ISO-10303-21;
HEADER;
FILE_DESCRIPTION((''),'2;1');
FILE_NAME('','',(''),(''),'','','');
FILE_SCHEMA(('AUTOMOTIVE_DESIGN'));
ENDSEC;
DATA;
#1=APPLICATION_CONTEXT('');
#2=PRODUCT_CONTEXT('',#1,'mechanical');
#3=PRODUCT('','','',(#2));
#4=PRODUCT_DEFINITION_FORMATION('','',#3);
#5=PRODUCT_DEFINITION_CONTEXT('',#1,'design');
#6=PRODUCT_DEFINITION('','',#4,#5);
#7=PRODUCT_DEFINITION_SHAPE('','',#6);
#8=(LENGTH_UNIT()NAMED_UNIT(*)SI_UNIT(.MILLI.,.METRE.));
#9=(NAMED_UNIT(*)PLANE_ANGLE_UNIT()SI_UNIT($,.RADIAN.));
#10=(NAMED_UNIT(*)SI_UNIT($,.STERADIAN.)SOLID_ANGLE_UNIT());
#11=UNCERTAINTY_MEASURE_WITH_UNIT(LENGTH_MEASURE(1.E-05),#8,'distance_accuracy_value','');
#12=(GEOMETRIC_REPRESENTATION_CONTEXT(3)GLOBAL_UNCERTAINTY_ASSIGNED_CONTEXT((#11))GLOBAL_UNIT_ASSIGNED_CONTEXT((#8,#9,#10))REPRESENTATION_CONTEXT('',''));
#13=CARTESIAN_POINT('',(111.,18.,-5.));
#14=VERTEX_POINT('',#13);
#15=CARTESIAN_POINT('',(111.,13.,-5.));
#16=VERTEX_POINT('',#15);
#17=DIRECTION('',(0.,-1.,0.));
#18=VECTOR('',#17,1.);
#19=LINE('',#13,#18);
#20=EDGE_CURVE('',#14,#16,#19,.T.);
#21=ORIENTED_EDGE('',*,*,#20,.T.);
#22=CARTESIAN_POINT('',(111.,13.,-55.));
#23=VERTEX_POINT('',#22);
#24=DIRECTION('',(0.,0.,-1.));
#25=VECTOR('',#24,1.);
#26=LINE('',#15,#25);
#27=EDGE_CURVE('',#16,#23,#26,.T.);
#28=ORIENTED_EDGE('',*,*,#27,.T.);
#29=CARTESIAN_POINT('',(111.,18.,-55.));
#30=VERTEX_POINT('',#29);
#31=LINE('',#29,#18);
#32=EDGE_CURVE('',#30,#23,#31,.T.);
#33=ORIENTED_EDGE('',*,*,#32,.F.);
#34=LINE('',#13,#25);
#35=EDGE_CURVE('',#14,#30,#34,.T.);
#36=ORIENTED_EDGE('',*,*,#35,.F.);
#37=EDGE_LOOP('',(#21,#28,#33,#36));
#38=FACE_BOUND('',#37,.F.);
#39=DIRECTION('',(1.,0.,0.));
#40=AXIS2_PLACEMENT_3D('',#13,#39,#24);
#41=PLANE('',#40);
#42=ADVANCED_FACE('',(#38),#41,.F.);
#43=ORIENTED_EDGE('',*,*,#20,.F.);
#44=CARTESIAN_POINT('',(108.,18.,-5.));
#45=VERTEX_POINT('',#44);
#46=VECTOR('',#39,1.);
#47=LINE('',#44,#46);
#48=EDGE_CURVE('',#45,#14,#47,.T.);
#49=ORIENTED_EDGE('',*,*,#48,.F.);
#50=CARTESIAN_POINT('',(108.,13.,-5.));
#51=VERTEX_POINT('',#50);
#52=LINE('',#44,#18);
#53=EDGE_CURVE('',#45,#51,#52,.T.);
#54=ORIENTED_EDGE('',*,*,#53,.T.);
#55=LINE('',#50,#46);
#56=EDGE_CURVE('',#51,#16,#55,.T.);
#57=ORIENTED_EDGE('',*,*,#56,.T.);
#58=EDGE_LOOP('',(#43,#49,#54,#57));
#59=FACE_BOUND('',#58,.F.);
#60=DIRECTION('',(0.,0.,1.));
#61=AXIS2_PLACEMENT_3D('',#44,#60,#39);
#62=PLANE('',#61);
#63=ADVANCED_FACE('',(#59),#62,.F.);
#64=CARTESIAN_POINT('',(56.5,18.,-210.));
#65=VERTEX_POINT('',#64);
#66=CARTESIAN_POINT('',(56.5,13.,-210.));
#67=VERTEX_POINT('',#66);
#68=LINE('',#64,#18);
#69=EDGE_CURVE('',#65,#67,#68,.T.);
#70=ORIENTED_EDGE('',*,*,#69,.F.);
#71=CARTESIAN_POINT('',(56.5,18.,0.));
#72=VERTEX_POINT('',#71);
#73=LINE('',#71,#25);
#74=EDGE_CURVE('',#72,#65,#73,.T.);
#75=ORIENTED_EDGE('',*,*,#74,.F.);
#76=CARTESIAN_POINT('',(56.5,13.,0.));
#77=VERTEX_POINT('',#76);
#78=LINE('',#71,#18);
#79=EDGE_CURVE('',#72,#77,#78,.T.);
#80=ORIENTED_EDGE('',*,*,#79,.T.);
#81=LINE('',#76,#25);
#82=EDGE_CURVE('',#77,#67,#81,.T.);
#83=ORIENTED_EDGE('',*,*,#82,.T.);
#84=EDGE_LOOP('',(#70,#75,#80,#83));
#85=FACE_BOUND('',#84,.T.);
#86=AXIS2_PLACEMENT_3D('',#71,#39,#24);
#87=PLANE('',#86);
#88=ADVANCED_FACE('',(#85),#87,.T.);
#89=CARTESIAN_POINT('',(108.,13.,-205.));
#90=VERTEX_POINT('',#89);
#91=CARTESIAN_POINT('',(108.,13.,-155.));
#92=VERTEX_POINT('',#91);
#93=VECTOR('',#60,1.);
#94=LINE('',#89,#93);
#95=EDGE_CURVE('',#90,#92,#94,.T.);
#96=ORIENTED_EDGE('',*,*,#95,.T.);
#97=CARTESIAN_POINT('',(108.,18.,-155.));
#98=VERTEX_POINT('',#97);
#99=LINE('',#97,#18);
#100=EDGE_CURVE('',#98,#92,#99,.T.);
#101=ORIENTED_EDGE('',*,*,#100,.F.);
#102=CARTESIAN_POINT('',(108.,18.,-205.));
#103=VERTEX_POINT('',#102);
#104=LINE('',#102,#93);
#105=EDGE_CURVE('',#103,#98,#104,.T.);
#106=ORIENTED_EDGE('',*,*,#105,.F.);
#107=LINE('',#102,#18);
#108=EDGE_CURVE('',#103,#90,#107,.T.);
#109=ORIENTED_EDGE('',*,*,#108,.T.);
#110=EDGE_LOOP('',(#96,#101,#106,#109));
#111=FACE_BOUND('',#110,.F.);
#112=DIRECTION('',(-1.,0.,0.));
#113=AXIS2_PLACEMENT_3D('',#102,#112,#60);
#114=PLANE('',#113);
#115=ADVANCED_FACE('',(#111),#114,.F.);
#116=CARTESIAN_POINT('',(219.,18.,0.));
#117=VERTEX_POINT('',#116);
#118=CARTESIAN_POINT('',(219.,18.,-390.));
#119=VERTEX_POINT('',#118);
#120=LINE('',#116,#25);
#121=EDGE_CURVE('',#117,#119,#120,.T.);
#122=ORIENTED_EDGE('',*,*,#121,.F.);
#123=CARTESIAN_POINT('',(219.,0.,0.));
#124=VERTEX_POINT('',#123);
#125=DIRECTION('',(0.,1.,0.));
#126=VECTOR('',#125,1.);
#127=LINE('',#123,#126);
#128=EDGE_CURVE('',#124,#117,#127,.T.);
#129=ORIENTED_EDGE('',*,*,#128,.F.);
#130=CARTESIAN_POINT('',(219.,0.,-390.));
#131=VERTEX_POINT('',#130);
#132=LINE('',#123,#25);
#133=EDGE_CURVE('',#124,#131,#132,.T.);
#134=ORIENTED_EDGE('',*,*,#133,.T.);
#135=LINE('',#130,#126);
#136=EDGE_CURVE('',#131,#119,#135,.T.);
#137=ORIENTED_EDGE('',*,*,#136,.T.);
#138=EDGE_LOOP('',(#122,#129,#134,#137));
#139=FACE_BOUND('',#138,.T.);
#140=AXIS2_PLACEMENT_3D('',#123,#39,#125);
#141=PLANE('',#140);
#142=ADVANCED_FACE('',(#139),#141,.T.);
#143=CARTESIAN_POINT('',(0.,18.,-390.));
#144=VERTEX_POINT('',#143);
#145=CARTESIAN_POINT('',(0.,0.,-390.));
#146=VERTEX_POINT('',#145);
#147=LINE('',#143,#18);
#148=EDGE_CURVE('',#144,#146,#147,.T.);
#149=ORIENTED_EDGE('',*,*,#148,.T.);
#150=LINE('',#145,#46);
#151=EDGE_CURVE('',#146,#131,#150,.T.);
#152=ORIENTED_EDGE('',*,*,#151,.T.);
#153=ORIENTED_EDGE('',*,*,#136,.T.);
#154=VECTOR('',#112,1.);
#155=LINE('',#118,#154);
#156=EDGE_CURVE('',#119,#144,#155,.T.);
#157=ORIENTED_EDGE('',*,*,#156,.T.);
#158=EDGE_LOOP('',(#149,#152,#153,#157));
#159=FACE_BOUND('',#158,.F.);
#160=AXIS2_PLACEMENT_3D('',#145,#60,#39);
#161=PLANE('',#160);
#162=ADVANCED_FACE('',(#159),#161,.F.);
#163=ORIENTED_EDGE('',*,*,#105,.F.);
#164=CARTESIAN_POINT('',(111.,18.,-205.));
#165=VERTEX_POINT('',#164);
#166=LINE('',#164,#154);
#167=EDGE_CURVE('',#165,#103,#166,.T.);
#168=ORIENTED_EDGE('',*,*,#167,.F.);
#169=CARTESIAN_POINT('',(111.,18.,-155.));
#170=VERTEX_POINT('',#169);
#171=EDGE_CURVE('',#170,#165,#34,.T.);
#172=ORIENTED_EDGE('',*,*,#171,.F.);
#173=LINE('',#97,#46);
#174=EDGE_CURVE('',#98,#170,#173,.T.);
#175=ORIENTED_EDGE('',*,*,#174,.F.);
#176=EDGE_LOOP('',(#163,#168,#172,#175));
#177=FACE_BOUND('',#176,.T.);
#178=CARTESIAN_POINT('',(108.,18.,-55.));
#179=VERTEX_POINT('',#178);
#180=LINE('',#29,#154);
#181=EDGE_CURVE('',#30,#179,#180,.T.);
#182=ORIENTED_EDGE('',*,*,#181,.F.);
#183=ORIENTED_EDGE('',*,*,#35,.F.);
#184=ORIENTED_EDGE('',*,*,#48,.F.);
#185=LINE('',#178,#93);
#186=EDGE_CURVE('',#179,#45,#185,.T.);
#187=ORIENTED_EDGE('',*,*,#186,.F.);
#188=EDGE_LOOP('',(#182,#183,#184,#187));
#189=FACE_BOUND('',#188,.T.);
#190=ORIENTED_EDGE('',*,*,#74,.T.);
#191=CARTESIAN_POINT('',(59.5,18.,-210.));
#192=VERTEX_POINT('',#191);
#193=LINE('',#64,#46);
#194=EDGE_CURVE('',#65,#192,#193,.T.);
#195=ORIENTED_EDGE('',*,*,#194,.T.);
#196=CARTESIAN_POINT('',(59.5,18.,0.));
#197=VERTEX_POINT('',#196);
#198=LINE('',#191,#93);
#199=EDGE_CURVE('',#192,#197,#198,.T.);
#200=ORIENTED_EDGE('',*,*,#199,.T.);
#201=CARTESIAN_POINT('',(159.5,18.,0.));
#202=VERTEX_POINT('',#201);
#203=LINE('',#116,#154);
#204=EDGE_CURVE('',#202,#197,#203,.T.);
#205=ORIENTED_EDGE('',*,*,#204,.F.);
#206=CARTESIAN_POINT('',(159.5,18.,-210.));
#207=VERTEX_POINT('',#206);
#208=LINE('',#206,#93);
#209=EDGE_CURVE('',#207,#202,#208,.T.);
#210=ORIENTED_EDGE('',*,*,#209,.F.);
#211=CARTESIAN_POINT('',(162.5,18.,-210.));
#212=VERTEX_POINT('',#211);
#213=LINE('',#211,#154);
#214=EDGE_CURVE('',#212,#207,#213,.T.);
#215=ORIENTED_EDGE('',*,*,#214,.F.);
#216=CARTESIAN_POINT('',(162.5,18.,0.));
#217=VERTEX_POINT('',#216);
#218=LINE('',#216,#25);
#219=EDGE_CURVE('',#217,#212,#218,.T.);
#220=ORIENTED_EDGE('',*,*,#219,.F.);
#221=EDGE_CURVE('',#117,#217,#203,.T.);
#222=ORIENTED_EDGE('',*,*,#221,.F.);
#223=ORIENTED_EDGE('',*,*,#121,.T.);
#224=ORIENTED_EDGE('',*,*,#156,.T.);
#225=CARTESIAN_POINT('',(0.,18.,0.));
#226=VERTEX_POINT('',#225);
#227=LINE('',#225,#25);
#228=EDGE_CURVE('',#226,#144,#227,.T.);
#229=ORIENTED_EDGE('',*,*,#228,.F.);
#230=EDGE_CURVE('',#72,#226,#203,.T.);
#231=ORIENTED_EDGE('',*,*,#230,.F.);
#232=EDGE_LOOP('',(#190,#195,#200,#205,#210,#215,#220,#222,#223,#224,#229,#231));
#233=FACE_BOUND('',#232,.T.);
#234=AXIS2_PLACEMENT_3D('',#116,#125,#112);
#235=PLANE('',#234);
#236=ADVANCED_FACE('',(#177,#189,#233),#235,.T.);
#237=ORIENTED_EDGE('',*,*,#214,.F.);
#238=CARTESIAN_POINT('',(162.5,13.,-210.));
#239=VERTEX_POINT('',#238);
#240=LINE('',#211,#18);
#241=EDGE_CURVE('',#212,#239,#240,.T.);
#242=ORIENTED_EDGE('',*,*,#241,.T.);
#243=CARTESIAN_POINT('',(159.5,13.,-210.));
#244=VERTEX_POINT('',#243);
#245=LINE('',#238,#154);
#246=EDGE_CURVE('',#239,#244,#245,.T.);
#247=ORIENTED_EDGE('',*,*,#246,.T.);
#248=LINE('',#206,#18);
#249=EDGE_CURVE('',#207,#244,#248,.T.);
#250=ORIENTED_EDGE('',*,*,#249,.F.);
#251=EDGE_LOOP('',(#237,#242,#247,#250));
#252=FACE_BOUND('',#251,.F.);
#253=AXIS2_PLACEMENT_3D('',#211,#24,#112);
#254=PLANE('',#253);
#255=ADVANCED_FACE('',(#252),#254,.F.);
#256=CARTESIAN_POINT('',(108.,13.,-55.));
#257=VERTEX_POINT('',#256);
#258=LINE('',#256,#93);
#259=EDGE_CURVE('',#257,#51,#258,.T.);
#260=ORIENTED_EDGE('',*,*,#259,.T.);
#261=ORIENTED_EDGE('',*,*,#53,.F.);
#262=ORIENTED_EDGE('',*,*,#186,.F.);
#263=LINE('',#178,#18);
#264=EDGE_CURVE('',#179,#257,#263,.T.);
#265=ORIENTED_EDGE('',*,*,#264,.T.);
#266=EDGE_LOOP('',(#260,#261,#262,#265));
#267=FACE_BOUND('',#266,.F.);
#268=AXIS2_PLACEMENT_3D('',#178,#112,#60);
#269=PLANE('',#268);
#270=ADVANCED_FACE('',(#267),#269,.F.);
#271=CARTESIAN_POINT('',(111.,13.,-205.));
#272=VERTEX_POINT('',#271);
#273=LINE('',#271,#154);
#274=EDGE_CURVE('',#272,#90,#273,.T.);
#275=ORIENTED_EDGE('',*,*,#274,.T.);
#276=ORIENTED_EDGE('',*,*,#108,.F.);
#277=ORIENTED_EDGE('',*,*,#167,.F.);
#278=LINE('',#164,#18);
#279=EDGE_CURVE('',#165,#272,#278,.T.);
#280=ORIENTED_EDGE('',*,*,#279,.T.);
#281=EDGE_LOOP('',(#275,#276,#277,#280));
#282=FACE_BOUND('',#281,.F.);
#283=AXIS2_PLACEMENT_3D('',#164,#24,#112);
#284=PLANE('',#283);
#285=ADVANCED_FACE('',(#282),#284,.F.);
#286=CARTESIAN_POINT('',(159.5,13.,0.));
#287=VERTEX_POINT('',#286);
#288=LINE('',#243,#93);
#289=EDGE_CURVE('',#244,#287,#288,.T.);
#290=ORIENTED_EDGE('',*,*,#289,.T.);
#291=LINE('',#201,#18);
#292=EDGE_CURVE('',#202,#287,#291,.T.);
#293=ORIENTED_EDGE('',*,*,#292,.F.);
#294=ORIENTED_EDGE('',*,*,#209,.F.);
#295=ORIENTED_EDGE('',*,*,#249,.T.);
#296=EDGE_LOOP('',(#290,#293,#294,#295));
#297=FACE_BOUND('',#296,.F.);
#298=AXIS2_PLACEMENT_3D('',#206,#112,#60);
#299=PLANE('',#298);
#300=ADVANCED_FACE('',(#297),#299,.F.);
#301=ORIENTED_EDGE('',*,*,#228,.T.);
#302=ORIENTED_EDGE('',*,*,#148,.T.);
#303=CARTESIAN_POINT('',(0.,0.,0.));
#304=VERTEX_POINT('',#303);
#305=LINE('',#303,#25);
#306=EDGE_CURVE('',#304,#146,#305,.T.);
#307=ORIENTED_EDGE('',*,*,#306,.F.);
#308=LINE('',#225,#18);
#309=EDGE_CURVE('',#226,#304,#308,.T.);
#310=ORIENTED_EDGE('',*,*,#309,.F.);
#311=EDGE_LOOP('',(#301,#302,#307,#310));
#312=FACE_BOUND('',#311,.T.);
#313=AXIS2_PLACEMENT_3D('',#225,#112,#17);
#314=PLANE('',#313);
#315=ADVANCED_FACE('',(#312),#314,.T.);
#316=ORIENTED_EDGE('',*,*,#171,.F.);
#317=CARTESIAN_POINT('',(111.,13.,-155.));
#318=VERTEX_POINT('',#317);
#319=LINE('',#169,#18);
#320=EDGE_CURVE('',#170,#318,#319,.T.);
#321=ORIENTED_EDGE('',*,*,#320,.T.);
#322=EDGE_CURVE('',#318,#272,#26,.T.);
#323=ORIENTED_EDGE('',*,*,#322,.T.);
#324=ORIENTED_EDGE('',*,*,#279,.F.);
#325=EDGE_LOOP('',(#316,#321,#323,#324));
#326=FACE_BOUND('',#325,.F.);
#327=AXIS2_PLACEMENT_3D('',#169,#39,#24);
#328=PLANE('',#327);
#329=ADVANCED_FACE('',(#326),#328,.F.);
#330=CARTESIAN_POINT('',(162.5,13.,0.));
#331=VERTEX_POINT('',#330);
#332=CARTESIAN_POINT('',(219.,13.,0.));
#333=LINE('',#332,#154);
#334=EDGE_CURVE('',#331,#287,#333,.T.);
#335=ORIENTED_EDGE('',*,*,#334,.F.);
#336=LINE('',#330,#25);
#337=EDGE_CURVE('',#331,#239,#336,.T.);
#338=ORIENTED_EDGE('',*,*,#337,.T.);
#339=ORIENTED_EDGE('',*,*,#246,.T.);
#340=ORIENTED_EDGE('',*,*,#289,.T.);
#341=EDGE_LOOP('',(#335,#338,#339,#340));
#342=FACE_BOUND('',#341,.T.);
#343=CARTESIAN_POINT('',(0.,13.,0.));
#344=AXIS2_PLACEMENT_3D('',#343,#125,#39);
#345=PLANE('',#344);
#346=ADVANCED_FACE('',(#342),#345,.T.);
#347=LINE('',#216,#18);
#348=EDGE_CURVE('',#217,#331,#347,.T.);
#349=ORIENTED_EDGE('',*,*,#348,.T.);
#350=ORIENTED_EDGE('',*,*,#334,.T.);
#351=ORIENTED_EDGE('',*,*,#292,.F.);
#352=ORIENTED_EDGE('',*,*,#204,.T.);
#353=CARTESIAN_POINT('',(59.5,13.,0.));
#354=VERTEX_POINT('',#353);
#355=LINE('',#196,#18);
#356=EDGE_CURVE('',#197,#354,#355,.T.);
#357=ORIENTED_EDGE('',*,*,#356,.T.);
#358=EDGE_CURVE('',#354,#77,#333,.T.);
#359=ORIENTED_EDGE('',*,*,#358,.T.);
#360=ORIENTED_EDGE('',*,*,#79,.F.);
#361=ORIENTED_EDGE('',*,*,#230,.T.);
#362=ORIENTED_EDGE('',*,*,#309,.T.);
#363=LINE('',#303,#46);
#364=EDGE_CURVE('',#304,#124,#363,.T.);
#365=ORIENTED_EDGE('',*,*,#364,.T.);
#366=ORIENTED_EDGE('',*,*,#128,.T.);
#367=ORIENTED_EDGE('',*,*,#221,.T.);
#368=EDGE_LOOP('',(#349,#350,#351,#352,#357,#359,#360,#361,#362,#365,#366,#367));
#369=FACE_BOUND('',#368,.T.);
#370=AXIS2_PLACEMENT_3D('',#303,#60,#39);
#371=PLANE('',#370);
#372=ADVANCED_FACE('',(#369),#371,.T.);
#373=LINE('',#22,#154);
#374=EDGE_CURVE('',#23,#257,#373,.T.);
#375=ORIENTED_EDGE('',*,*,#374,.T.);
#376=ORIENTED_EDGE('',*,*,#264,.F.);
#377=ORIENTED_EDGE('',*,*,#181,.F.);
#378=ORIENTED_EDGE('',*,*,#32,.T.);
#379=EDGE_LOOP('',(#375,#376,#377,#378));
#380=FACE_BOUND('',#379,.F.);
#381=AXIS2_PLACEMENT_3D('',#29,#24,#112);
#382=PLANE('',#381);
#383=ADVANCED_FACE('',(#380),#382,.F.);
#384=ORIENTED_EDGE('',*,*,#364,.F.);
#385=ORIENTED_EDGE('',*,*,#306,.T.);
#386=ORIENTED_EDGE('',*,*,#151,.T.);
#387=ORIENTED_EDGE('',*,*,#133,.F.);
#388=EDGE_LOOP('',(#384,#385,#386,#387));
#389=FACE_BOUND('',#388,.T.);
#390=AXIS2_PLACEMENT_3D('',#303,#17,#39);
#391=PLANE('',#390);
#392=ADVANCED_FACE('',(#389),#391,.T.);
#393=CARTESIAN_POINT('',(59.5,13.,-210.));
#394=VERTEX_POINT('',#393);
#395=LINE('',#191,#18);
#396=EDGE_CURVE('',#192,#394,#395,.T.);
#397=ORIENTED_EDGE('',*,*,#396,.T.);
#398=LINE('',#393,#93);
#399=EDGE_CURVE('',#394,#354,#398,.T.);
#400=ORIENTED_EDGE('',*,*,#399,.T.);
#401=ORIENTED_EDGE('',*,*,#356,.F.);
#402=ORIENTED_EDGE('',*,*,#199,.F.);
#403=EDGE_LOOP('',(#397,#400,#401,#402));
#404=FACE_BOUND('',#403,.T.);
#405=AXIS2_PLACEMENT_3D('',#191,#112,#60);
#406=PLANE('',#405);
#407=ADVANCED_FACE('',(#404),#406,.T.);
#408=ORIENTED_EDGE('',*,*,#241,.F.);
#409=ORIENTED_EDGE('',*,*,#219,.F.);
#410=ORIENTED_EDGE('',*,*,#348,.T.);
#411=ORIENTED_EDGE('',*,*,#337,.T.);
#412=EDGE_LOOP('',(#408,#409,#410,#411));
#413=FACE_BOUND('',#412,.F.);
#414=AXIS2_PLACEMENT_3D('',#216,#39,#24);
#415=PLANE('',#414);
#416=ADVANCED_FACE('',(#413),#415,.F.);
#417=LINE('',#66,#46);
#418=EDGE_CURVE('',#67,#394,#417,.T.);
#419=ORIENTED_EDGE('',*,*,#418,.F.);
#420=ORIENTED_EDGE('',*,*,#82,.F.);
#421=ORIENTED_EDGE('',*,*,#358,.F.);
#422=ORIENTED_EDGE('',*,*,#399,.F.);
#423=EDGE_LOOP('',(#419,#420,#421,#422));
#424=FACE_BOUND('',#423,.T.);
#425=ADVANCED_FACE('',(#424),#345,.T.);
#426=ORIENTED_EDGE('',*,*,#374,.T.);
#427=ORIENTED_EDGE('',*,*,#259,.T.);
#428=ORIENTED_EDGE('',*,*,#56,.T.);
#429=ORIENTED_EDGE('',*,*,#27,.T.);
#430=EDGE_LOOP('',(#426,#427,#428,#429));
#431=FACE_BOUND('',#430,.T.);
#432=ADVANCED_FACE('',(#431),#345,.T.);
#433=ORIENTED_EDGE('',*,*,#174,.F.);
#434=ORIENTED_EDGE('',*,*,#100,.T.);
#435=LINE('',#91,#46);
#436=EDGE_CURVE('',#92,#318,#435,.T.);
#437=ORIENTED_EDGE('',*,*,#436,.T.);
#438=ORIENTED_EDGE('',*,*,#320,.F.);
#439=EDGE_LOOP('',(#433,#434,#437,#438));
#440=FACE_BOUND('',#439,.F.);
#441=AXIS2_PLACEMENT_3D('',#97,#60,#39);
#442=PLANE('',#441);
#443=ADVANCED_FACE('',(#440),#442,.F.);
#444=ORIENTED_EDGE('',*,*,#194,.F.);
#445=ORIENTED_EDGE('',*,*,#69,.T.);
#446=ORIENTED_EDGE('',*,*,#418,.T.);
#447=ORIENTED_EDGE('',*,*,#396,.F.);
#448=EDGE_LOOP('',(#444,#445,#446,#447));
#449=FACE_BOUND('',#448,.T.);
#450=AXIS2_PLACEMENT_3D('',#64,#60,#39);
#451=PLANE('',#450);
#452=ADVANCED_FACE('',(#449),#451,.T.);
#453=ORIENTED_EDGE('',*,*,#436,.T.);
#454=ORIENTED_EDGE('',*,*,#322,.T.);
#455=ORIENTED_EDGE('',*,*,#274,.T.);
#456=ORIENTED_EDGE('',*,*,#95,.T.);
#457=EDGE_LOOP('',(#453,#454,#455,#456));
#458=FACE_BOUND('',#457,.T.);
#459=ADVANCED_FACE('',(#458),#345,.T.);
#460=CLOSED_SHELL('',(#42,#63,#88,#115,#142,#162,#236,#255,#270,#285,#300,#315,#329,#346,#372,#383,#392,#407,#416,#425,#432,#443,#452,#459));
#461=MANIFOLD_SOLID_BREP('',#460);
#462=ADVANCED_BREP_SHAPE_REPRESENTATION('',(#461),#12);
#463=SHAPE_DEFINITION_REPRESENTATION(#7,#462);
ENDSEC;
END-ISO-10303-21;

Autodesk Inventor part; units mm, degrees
ref_plane "YZ Plane" through (0, 0, 0) normal (1, 0, 0) x (0, 1, 0)
ref_plane "XZ Plane" through (0, 0, 0) normal (0, 1, 0) x (-1, 0, 0)
ref_plane "XY Plane" through (0, 0, 0) normal (0, 0, 1) x (1, 0, 0)
sketch "Sketch2" plane through (0, 0, 0) normal (0, 0, 1) x (1, 0, 0)
  line L0 (0, 0) -> (219, 0)
  line L1 (219, 0) -> (219, 18)
  line L2 (219, 18) -> (0, 18)
  line L3 (0, 18) -> (0, 0)
  dimension "d0" = 18
  dimension "d1" = 219
extrude "Extrusion1" add sketch "Sketch2" against normal blind 390
sketch "Sketch4" plane through (0, 18, 0) normal (0, 1, 0) x (1, 0, 0)
  line L0 (219, 0) -> (0, 0) projected
  line L1 (0, 0) -> (0, 390) projected
  line L2 (108, 5) -> (111, 5)
  line L3 (111, 5) -> (111, 205)
  line L4 (111, 205) -> (108, 205)
  line L5 (159.5, 0) -> (162.5, 0)
  line L6 (162.5, 0) -> (162.5, 210)
  line L7 (162.5, 210) -> (159.5, 210)
  line L8 (159.5, 210) -> (159.5, 0)
  line L9 (0, 0) -> (219, 0) construction
  line L10 (109.5, 0) -> (109.5, -15.4938) construction
  line L11 (219, 0) -> (219, 390) construction
  line L12 (59.5, 0) -> (56.5, 0)
  line L13 (56.5, 0) -> (56.5, 210)
  line L14 (56.5, 210) -> (59.5, 210)
  line L15 (59.5, 210) -> (59.5, 0)
  line L16 (108, 155) -> (111, 155)
  line L17 (111, 155) -> (111, 55)
  line L18 (111, 55) -> (108, 55)
  line L19 (108, 205) -> (108, 155)
  line L20 (108, 55) -> (108, 5)
  point P0 (109.5, 5)
  point P1 (111, 105)
  point P2 (159.5, 105)
  point P3 (56.5, 0)
  point P4 (59.5, 0)
  dimension "d4" = 3
  dimension "d6" = 210
  dimension "d8" = 3
  dimension "d19" = 200
  dimension "d20" = 100
  dimension "d21" = 50
  dimension "d22" = 50
extrude "Extrusion2" cut sketch "Sketch4" against normal blind 5
sketch "Sketch5" plane through (0, 18, -390) normal (0, 1, 0) x (1, 0, 0)
  line L0 (10, -170) -> (209, -170)
  line L1 (209, -170) -> (209, -10)
  line L2 (209, -10) -> (10, -10)
  line L3 (10, -10) -> (10, -170)
  line L4 (22.9605, -180) -> (22.9605, 0) construction
  line L5 (0, -390) -> (0, 0) construction
  line L6 (0, 0) -> (219, 0) construction
  line L7 (10, -170) -> (9.9883, -10.0145) construction
  line L8 (9.9883, -10.0145) -> (209, -10) construction
  line L9 (209, -10) -> (209.0117, -169.9855) construction
  line L10 (209.0117, -169.9855) -> (10, -170) construction
  point P0 (56.5, -180)
  point P1 (22.9605, -90)
  point P2 (10, -90)
  point P3 (109.5, -10)
  point P4 (109.5, 0)
  dimension "d15" = 10
  dimension "d16" = 10
  dimension "d17" = 160
  dimension "d18" = 199
properties part number "metrsync-platform-210"
